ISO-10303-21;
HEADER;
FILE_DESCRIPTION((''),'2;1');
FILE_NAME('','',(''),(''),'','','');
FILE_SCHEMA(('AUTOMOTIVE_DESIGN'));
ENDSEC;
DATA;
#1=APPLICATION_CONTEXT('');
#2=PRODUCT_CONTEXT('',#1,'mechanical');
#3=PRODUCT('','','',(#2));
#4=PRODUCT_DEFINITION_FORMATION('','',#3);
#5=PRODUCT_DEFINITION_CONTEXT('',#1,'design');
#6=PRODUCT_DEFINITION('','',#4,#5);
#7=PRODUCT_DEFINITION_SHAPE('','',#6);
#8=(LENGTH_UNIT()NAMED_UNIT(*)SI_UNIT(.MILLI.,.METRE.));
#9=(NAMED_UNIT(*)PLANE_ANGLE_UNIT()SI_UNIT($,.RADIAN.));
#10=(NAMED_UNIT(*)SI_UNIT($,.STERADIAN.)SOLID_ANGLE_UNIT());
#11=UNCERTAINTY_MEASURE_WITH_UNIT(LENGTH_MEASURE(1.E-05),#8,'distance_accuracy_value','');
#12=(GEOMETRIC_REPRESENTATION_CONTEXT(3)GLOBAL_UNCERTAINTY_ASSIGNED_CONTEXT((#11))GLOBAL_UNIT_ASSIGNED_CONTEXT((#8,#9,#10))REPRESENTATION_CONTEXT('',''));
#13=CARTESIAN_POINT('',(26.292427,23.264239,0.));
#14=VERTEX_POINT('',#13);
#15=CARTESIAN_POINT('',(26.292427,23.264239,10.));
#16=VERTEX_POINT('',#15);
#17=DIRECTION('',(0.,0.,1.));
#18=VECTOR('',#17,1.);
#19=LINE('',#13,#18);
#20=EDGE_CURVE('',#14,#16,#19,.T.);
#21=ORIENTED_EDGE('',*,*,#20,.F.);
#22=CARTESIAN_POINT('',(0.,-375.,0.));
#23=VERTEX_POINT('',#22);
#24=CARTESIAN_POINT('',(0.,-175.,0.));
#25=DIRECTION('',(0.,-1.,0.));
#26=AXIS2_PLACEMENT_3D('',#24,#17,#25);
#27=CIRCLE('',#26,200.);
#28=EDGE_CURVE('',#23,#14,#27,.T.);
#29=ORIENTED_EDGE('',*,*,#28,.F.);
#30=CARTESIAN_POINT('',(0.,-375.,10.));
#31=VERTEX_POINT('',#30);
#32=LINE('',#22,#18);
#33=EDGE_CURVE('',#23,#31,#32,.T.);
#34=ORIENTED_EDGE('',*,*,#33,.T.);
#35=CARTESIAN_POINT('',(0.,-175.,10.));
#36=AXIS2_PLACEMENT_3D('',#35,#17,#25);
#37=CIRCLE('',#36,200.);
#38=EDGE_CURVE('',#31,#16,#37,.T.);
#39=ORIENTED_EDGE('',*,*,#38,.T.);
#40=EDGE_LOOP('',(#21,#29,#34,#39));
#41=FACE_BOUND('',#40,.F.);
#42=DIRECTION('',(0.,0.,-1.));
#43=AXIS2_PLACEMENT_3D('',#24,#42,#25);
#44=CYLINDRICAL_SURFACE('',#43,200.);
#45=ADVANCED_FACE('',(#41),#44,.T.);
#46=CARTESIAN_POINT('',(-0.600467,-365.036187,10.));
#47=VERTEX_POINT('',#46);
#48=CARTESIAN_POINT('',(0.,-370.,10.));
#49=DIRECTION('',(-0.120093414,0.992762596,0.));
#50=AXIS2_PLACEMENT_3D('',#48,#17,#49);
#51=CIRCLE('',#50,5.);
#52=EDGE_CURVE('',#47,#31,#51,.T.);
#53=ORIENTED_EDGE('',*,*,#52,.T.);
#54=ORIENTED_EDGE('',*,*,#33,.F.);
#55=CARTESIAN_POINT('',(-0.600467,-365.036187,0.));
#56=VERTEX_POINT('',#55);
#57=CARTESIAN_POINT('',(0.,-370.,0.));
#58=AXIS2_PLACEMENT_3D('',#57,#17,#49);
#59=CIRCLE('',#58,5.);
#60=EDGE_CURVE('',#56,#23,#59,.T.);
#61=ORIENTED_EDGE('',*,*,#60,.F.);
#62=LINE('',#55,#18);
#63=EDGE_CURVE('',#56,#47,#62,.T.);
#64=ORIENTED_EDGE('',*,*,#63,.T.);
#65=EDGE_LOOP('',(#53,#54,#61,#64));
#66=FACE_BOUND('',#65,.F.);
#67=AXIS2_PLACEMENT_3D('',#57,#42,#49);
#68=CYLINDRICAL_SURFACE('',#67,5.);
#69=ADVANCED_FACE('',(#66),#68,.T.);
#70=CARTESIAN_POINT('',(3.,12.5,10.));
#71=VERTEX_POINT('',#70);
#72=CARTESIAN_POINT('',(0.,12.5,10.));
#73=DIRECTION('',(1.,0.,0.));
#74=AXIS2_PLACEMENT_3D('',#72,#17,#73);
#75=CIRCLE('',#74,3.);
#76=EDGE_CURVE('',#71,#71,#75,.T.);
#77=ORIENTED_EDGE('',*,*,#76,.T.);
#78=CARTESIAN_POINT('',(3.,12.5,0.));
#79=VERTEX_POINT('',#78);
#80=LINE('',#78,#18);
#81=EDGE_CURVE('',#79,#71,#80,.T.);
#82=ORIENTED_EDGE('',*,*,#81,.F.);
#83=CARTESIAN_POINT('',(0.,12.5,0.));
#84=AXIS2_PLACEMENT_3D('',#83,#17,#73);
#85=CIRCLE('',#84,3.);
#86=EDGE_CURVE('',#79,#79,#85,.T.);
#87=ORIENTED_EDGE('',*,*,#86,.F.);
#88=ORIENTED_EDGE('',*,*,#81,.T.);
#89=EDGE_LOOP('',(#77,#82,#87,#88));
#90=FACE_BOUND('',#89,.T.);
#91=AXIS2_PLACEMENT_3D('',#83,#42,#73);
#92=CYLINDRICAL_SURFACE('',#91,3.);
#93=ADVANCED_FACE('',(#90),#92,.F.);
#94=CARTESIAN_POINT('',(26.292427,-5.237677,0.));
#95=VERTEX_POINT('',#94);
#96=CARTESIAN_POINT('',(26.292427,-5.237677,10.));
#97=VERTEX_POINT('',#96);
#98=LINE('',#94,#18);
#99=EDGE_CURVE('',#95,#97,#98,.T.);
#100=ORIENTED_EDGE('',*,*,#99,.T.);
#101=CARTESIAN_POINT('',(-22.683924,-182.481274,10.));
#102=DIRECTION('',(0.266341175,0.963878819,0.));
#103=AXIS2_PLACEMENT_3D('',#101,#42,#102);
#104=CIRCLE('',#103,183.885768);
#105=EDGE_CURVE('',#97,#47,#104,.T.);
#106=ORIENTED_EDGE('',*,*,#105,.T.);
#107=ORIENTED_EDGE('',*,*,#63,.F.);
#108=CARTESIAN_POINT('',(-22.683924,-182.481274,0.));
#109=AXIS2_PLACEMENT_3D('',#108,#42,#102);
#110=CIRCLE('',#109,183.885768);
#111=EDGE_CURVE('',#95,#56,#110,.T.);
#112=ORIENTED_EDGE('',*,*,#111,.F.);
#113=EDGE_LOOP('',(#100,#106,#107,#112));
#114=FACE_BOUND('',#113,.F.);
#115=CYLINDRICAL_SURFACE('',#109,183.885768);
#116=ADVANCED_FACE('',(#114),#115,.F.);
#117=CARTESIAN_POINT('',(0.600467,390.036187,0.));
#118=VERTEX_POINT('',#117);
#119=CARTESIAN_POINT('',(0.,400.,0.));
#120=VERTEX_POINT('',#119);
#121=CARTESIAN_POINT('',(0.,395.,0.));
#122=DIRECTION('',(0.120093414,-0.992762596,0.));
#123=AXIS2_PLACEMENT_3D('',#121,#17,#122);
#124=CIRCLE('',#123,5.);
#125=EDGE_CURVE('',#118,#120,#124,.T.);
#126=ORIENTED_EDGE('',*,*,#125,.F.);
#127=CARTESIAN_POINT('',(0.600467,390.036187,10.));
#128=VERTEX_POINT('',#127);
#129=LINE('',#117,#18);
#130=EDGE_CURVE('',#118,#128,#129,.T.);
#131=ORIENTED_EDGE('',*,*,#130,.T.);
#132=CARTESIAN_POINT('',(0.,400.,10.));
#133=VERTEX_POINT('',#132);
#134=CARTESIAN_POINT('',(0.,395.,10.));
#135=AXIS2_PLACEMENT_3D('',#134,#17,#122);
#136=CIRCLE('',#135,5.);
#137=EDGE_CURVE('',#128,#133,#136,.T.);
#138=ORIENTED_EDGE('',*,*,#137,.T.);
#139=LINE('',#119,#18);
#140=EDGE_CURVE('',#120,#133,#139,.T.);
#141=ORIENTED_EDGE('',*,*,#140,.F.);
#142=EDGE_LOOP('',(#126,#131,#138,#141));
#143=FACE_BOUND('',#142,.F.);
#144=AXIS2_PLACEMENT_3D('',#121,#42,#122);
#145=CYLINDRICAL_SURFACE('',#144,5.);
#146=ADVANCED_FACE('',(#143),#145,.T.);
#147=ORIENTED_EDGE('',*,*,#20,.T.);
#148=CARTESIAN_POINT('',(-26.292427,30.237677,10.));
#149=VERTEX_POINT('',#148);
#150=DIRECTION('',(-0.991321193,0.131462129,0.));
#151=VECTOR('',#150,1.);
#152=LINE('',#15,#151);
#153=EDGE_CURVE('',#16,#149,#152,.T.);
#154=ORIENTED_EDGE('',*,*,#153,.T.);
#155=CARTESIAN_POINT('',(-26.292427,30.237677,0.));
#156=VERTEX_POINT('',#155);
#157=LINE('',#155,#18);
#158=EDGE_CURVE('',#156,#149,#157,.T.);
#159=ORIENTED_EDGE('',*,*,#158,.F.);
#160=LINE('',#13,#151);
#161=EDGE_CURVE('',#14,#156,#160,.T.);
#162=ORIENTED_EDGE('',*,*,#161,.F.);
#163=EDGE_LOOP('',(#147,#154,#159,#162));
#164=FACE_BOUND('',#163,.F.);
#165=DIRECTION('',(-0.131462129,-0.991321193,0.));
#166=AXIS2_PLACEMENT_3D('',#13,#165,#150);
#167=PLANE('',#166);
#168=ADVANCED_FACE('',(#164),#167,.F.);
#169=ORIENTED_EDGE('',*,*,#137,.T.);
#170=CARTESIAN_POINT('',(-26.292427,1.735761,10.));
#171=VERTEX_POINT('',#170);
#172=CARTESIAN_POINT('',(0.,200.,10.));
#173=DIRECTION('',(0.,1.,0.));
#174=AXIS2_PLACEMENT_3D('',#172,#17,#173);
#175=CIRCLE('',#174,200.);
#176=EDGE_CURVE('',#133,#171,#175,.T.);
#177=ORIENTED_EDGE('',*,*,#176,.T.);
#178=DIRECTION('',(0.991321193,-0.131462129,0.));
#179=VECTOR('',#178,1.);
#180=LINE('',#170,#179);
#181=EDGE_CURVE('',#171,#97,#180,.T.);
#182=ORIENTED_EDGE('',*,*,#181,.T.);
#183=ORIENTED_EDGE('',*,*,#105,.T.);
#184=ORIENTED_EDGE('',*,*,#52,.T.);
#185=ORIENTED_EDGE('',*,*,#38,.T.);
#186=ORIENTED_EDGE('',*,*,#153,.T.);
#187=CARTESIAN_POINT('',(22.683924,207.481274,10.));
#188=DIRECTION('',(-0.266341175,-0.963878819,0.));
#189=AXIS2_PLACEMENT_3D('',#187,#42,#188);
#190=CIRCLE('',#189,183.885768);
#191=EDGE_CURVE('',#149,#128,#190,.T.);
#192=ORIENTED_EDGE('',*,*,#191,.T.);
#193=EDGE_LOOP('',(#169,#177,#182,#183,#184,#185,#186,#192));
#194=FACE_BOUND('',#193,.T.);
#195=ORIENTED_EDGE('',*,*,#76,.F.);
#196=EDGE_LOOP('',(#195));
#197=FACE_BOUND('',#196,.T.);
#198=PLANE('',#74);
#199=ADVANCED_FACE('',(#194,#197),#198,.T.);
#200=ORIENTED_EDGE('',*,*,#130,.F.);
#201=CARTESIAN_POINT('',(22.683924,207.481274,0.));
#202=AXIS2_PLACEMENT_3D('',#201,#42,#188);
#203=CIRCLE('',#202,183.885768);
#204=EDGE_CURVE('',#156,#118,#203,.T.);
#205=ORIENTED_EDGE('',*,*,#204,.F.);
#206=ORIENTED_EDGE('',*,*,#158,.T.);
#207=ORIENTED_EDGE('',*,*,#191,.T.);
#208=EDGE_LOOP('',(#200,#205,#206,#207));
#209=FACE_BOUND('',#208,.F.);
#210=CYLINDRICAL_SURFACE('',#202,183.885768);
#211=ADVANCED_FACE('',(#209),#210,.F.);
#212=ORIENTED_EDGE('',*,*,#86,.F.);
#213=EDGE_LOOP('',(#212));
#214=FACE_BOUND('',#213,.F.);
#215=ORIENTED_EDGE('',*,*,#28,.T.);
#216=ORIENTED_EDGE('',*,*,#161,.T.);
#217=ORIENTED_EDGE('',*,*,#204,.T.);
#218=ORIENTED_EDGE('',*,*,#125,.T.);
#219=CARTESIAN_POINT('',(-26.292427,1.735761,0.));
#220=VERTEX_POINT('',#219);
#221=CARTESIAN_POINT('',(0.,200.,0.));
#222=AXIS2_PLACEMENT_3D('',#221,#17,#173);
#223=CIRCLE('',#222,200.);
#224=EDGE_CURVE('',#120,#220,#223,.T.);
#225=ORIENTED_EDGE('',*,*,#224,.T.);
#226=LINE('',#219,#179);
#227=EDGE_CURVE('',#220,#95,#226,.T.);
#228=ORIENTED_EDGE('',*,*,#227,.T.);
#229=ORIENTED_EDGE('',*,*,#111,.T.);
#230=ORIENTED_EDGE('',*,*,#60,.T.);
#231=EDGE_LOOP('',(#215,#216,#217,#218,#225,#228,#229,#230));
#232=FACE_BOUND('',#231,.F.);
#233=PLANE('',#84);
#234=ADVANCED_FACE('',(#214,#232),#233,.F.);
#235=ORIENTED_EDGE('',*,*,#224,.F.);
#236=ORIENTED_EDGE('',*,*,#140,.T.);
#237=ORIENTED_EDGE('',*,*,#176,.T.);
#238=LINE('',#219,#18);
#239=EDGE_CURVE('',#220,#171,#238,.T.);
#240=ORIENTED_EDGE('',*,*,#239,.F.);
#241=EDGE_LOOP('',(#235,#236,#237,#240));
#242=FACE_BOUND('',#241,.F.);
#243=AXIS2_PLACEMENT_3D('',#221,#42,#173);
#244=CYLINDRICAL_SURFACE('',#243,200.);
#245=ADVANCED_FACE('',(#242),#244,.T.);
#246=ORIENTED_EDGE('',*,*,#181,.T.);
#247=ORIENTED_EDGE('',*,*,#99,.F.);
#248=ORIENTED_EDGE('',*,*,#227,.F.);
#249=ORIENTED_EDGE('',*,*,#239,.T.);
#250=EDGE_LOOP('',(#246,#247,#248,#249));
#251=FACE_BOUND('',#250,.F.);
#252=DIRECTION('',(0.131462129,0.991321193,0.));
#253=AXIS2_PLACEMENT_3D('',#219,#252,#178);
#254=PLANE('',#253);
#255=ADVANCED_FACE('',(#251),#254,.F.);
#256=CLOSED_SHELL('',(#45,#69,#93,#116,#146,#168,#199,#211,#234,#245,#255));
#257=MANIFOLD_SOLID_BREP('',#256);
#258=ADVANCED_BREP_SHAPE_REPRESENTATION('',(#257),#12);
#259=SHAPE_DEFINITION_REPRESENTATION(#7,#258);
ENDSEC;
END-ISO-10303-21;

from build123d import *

# Parameters (mm, degrees)
F0_R     = 3
F1_DEPTH = 10


with BuildPart() as f1:
    # F0 (on Top) → F1 (new body)
    with BuildSketch(Plane.XY):
        with BuildLine():
            ThreePointArc((0.600467, 390.036187), (4.990945, 395.300778), (0, 400))
            ThreePointArc((0, 400), (-199.565588, 213.17483), (-26.292427, 1.735761))
            Line((-26.292427, 1.735761), (26.292427, -5.237677))
            ThreePointArc((26.292427, -5.237677), (160.690327, -196.187456), (-0.600467, -365.036187))
            ThreePointArc((-0.600467, -365.036187), (-4.990945, -370.300778), (0, -375))
            ThreePointArc((0, -375), (199.565588, -188.17483), (26.292427, 23.264239))
            Line((26.292427, 23.264239), (-26.292427, 30.237677))
            ThreePointArc((-26.292427, 30.237677), (-160.690327, 221.187456), (0.600467, 390.036187))
        make_face()
        with Locations((0, 12.5)):
            Circle(F0_R, mode=Mode.SUBTRACT)
    extrude(amount=F1_DEPTH)


solid = f1.part
